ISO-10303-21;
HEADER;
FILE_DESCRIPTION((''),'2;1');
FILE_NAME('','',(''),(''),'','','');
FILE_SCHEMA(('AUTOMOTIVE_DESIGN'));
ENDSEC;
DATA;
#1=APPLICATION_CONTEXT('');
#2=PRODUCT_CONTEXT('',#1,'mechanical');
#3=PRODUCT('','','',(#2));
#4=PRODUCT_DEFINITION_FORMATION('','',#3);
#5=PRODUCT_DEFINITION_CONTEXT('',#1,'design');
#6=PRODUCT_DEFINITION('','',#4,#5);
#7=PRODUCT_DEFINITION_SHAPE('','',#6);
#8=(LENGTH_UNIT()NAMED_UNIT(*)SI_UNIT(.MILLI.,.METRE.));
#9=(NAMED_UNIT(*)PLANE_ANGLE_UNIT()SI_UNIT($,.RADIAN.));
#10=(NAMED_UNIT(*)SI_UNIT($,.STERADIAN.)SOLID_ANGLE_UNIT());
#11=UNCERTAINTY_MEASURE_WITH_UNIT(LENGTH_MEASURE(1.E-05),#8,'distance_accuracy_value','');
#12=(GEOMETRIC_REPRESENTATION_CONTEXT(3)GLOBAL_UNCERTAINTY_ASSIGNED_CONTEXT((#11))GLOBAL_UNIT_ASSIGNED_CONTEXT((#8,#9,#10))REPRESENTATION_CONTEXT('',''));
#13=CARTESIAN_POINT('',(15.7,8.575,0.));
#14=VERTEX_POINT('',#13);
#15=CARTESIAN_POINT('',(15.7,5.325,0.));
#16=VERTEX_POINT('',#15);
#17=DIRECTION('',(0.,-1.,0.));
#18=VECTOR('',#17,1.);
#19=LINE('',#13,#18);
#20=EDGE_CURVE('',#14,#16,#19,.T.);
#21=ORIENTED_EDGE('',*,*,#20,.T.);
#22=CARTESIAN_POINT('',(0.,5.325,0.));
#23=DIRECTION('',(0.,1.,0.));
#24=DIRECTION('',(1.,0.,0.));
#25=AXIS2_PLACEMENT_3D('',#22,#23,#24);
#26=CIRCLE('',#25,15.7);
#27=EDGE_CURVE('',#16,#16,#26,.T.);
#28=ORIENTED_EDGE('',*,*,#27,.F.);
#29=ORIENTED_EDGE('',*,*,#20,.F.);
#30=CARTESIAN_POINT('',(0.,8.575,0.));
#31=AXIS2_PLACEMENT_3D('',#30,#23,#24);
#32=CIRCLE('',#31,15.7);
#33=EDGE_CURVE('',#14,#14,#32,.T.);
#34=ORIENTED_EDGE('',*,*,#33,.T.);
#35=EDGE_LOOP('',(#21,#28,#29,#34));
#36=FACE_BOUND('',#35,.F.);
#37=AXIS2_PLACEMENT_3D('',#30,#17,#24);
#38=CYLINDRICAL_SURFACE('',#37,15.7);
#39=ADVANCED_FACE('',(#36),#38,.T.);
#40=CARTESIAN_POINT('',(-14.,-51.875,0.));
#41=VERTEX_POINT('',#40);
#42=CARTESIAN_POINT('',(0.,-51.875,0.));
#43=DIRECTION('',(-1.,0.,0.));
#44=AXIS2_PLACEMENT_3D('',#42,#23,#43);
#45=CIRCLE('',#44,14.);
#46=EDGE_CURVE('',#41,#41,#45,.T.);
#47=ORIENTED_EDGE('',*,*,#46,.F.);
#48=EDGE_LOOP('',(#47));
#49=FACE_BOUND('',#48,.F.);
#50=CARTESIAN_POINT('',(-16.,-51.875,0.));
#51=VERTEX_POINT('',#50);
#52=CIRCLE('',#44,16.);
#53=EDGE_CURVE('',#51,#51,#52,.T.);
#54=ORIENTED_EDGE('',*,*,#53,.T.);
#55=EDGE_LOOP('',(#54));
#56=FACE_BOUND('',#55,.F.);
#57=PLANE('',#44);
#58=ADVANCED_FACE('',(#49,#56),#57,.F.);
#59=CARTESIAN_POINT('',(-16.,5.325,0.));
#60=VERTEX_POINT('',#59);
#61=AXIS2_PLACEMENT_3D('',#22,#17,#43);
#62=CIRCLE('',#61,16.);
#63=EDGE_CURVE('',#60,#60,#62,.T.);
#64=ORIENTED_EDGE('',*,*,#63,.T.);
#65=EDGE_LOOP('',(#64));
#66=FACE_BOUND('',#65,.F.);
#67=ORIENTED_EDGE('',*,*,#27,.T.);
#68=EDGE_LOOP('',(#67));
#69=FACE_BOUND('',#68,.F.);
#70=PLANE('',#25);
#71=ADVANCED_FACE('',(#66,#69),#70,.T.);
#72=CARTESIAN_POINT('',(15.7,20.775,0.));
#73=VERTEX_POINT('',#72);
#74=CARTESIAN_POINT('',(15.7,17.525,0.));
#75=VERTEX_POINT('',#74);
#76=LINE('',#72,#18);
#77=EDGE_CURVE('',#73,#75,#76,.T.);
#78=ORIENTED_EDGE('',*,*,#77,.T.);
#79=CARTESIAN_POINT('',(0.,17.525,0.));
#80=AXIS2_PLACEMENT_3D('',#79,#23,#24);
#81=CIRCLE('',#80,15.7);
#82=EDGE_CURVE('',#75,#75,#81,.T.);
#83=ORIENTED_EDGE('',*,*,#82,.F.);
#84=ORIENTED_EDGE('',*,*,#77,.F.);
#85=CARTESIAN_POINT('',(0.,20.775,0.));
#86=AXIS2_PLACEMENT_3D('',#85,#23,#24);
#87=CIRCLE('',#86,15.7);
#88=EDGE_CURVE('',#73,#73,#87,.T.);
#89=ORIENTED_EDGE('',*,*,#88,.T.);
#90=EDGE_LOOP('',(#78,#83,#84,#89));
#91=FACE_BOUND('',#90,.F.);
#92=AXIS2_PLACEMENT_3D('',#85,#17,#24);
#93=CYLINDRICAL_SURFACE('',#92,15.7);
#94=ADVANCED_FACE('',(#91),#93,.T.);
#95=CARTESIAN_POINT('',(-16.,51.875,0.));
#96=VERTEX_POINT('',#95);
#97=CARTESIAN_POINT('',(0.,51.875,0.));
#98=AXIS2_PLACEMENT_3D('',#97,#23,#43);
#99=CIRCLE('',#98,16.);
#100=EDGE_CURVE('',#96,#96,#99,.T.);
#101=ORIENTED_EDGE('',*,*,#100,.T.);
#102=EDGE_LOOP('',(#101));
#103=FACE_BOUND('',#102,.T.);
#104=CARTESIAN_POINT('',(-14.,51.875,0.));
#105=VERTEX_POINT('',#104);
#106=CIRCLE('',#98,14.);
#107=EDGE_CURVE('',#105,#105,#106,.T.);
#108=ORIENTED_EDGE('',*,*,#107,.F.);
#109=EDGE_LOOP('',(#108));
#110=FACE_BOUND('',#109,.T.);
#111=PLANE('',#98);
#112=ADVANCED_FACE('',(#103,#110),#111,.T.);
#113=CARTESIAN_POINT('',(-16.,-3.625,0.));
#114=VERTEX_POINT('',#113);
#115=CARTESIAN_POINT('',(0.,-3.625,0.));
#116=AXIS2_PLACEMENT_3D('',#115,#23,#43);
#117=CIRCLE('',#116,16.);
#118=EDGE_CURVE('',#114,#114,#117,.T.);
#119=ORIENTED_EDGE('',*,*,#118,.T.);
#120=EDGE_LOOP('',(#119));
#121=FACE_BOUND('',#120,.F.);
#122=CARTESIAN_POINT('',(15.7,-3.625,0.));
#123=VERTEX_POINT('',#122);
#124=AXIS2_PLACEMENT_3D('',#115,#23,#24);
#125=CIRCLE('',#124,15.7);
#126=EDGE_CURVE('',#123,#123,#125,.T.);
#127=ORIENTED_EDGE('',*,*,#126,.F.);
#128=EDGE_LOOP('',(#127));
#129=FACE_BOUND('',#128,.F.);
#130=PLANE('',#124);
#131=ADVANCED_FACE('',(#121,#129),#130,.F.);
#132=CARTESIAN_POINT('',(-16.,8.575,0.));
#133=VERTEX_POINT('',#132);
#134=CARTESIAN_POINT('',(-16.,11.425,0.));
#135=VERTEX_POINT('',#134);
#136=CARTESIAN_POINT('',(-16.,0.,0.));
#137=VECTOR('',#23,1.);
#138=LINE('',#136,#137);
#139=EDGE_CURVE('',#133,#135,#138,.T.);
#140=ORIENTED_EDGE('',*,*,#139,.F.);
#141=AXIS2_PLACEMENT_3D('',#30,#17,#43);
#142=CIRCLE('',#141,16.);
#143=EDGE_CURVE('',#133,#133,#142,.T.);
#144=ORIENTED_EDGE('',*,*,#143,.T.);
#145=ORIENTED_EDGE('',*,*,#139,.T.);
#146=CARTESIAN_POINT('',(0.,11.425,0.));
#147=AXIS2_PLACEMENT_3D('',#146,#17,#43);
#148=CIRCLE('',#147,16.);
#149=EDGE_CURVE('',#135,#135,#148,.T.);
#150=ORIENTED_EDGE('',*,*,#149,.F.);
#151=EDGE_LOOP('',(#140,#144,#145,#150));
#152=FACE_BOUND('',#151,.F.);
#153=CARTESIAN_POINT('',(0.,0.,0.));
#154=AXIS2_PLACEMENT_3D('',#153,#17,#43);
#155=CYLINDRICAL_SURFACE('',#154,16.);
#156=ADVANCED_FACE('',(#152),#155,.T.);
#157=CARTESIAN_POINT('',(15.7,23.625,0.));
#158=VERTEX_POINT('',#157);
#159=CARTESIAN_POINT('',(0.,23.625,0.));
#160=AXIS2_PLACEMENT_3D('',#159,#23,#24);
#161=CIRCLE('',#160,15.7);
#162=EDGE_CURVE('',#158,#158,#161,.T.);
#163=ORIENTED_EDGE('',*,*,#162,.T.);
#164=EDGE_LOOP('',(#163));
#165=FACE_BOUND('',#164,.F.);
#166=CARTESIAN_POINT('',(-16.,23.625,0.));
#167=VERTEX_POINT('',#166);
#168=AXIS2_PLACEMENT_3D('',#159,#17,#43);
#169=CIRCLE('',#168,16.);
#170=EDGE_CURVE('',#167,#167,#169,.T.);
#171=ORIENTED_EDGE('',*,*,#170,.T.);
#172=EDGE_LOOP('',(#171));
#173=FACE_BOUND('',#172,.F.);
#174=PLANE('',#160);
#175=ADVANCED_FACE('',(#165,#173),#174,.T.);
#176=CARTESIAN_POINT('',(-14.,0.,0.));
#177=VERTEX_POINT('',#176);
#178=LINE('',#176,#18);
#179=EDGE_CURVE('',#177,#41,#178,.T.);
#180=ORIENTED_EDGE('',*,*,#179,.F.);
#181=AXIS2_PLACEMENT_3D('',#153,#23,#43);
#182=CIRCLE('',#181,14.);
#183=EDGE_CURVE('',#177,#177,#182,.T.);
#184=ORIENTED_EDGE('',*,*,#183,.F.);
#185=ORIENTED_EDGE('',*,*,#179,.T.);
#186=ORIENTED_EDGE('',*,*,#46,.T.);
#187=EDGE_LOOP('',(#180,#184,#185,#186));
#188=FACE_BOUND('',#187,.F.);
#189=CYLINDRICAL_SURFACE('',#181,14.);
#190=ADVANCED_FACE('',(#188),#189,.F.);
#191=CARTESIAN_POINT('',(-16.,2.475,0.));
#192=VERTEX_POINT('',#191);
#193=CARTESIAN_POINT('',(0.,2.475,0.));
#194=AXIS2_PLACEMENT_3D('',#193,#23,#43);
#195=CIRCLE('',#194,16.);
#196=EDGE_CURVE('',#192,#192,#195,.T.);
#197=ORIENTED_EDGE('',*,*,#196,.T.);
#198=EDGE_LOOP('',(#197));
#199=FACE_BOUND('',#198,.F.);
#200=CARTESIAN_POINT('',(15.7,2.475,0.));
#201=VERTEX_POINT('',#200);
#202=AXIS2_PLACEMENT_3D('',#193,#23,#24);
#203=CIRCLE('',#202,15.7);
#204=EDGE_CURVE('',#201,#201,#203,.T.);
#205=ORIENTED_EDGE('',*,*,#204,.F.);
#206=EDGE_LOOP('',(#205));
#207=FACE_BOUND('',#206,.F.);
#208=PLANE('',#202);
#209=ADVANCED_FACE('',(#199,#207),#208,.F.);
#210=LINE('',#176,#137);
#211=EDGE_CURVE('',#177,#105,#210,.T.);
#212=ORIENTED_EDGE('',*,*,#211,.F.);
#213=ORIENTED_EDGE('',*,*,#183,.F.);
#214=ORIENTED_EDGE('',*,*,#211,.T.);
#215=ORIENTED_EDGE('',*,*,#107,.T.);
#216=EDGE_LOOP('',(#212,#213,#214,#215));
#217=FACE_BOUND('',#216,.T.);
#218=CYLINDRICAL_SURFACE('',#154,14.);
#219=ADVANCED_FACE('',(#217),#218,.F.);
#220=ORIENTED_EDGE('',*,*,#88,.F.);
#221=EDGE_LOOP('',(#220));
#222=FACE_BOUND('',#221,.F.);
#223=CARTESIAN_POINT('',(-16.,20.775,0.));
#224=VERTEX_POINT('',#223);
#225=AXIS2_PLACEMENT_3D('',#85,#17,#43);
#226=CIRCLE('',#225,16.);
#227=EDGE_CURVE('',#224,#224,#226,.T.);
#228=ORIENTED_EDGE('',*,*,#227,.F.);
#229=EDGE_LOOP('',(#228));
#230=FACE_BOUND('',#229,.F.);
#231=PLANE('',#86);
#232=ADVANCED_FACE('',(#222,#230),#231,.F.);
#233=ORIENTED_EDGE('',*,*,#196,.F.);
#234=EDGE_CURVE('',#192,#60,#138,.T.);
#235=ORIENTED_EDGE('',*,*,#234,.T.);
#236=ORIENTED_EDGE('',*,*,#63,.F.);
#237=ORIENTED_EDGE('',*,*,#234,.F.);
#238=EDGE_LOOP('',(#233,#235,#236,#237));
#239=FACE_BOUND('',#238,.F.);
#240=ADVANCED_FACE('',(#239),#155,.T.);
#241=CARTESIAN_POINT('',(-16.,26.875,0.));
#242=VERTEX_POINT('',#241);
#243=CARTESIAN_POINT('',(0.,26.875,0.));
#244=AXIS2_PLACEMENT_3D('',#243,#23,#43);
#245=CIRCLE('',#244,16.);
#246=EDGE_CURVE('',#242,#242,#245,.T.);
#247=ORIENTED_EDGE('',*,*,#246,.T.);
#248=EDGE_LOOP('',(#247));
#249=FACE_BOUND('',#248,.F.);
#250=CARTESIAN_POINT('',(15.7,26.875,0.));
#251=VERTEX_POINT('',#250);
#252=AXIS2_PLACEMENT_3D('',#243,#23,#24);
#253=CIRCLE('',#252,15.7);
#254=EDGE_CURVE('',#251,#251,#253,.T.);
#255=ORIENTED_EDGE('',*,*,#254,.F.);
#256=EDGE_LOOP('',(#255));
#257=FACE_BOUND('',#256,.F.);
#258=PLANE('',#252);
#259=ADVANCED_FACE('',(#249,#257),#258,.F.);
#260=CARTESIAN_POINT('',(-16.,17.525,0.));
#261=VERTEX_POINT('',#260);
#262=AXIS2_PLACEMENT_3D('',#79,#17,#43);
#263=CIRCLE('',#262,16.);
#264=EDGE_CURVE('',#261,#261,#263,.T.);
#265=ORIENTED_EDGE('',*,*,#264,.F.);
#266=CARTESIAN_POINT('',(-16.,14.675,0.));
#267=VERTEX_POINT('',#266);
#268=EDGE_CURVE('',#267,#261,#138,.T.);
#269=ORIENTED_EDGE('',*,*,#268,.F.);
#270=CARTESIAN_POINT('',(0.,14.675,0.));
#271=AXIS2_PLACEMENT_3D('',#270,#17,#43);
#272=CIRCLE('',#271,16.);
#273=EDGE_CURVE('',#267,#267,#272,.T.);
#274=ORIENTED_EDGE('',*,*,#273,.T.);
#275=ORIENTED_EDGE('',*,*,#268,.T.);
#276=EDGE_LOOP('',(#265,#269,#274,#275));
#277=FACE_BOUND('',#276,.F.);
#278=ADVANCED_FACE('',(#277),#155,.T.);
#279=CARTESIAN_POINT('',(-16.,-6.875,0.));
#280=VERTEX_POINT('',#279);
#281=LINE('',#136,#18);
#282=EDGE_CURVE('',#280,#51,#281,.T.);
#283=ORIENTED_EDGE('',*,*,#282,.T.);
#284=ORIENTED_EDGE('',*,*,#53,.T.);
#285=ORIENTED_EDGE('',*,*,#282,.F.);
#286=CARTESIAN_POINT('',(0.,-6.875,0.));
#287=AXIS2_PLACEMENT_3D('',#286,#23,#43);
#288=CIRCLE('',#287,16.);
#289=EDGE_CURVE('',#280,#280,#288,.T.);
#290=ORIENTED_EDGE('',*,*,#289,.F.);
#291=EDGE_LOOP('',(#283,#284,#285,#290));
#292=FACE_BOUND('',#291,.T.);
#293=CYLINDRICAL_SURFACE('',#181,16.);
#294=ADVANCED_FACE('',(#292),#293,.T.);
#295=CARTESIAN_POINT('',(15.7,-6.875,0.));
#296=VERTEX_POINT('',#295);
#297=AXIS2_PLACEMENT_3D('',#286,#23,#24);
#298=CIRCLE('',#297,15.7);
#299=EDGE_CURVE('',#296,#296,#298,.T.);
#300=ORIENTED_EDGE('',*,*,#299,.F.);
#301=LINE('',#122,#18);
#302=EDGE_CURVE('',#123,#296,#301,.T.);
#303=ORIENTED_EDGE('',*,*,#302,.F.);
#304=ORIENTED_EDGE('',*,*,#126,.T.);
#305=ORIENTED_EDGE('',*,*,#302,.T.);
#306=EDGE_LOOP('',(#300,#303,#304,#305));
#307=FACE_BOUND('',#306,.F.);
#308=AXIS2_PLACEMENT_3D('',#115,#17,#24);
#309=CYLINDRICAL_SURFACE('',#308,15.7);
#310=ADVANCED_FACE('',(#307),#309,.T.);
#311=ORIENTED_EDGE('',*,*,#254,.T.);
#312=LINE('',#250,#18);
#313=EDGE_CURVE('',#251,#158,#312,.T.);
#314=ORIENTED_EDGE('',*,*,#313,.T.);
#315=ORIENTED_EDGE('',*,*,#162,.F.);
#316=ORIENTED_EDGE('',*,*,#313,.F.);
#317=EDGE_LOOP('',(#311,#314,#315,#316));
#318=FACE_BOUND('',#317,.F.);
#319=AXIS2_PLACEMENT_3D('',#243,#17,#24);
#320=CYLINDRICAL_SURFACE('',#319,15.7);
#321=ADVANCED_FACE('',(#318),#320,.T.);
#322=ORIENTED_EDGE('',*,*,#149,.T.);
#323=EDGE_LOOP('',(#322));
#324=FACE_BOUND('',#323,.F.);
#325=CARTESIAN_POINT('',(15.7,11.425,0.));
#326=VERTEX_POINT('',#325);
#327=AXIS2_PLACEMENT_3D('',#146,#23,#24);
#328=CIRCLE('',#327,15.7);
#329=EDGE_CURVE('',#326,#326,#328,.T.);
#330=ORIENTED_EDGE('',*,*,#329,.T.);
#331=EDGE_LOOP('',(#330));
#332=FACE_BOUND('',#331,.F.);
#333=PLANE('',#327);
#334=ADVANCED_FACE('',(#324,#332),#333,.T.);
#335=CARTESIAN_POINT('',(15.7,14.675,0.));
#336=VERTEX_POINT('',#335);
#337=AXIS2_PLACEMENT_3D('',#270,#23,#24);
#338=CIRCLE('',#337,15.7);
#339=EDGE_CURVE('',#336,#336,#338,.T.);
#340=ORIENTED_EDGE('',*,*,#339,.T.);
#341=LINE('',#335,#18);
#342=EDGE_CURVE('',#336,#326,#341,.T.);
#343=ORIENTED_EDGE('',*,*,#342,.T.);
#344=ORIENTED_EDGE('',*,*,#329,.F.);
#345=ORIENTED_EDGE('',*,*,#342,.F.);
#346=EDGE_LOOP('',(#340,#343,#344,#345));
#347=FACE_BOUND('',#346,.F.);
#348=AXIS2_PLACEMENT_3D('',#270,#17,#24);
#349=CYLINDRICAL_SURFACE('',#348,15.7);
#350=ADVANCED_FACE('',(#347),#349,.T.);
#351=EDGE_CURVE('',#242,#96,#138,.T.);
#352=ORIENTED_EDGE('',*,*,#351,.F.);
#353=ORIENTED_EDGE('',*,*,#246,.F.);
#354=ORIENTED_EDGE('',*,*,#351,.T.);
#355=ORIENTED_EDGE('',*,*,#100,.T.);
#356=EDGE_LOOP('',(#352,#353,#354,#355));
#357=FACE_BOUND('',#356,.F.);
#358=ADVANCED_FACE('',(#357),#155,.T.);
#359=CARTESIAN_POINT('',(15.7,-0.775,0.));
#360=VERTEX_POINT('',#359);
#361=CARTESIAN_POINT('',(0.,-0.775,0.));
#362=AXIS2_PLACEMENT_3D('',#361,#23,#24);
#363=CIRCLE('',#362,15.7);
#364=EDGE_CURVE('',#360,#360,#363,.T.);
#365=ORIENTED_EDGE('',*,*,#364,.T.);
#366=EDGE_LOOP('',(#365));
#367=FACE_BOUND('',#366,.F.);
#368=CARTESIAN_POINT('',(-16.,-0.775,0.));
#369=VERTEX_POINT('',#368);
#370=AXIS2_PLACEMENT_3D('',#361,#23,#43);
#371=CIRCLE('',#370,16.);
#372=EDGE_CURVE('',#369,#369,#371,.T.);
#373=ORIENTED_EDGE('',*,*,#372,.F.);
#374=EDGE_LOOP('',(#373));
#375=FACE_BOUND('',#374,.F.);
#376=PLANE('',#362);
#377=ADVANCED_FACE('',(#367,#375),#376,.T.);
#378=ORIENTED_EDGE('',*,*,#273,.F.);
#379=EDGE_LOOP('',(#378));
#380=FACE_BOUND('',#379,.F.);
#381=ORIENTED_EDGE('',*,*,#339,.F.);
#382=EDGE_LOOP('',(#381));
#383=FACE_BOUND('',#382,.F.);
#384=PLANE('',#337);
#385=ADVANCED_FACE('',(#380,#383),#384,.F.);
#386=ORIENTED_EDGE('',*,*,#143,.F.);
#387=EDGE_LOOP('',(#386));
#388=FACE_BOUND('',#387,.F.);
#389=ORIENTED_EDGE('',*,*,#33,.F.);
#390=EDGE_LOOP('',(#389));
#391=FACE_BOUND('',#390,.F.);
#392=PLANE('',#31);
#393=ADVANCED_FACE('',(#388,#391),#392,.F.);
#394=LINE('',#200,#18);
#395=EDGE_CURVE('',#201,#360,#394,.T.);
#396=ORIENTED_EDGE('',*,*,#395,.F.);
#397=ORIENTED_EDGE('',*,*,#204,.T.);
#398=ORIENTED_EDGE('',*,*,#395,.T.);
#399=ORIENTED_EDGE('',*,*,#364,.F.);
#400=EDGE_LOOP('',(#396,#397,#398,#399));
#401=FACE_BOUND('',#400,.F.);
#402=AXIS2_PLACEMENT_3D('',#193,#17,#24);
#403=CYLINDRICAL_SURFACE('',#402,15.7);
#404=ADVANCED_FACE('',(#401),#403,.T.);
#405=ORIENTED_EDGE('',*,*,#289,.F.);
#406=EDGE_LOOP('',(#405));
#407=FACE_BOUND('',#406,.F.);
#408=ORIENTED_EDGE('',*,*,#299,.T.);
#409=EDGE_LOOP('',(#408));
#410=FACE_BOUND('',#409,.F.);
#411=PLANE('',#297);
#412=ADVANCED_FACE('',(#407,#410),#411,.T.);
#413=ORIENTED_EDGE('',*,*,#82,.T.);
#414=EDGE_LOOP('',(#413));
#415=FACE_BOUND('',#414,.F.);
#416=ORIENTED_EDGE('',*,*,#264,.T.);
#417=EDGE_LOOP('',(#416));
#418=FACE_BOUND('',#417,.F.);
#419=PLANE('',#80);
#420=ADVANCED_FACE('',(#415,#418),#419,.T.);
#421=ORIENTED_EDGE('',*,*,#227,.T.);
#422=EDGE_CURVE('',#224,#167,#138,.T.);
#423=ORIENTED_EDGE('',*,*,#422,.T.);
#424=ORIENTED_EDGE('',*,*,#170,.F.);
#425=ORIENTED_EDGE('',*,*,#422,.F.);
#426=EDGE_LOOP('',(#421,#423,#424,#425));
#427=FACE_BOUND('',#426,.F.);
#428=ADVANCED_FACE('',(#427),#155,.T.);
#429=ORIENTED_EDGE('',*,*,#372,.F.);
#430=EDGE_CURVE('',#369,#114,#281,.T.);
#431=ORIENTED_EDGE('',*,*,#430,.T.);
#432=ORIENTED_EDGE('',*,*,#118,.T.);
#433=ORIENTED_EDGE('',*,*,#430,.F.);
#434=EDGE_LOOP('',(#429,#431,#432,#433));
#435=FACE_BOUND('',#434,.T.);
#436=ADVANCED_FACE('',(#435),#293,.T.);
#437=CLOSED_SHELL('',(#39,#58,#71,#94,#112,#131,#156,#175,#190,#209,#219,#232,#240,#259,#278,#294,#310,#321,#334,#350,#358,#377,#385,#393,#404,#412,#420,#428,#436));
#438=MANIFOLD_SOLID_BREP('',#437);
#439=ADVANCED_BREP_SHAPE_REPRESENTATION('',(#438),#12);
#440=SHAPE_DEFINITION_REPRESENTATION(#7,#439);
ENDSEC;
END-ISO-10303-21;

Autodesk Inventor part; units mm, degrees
ref_plane "YZ Plane" through (0, 0, 0) normal (1, 0, 0) x (0, 1, 0)
ref_plane "XZ Plane" through (0, 0, 0) normal (0, 1, 0) x (-1, 0, 0)
ref_plane "XY Plane" through (0, 0, 0) normal (0, 0, 1) x (1, 0, 0)
sketch "Sketch6" plane through (0, 0, 0) normal (0, 1, 0) x (-1, 0, 0)
  circle A0 centre (0, 0) radius 16
  circle A1 centre (0, 0) radius 14
  dimension "d71" = 2
  dimension "d72" = 32
extrude "Extrusion2" add sketch "Sketch6" along normal mid plane 103.75
sketch "Sketch7" plane through (0, 0, 0) normal (0, 0, 1) x (1, 0, 0)
  line L0 (-16, -51.875) -> (16, -51.875) projected
  line L1 (16, 51.875) -> (-16, 51.875) projected
  line L2 (16, 51.875) -> (-16, 51.875) projected
  line L3 (16, 51.875) -> (16, 26.875)
  line L4 (16, -51.875) -> (16, 51.875) projected
  line L5 (16, -51.875) -> (16, -6.875)
  line L6 (16, 26.875) -> (15.7, 26.875)
  line L7 (15.7, 26.875) -> (15.7, 23.625)
  line L8 (15.7, 23.625) -> (16, 23.625)
  line L9 (16, 20.775) -> (15.7, 20.775)
  line L10 (15.7, 20.775) -> (15.7, 17.525)
  line L11 (15.7, 17.525) -> (16, 17.525)
  line L12 (16, 17.525) -> (16, 20.775)
  line L13 (16, 14.675) -> (15.7, 14.675)
  line L14 (15.7, 14.675) -> (15.7, 11.425)
  line L15 (15.7, 11.425) -> (16, 11.425)
  line L16 (16, 11.425) -> (16, 14.675)
  line L17 (16, 8.575) -> (15.7, 8.575)
  line L18 (15.7, 8.575) -> (15.7, 5.325)
  line L19 (15.7, 5.325) -> (16, 5.325)
  line L20 (16, 5.325) -> (16, 8.575)
  line L21 (16, 2.475) -> (15.7, 2.475)
  line L22 (15.7, 2.475) -> (15.7, -0.775)
  line L23 (15.7, -0.775) -> (16, -0.775)
  line L24 (16, -0.775) -> (16, 2.475)
  line L25 (16, -3.625) -> (15.7, -3.625)
  line L26 (15.7, -3.625) -> (15.7, -6.875)
  line L27 (15.7, -6.875) -> (16, -6.875)
  line L28 (16, -6.875) -> (16, -3.625)
  line L29 (0, -72.625) -> (0, 72.625) projected
  point P0 (0, 0)
  dimension "d75" = 25
  dimension "d76" = 45
  dimension "d77" = 3.25
  dimension "d78" = 0.3
  dimension "d79" = 2.85
  dimension "d84" = 2.85
  dimension "d85" = 2.85
  dimension "d86" = 2.85
  dimension "d87" = 2.85
revolve "Revolution2" cut sketch "Sketch7" angle 360 about axis through (0, -10, 0) along (0, 1, 0) contours L27 L26 L25 L4 | L4 L8 L7 L6 | L23 L22 L21 L4 | L4 L11 L10 L9 | L19 L18 L17 L4 | L4 L15 L14 L13
properties part number "Test_Radiator"
